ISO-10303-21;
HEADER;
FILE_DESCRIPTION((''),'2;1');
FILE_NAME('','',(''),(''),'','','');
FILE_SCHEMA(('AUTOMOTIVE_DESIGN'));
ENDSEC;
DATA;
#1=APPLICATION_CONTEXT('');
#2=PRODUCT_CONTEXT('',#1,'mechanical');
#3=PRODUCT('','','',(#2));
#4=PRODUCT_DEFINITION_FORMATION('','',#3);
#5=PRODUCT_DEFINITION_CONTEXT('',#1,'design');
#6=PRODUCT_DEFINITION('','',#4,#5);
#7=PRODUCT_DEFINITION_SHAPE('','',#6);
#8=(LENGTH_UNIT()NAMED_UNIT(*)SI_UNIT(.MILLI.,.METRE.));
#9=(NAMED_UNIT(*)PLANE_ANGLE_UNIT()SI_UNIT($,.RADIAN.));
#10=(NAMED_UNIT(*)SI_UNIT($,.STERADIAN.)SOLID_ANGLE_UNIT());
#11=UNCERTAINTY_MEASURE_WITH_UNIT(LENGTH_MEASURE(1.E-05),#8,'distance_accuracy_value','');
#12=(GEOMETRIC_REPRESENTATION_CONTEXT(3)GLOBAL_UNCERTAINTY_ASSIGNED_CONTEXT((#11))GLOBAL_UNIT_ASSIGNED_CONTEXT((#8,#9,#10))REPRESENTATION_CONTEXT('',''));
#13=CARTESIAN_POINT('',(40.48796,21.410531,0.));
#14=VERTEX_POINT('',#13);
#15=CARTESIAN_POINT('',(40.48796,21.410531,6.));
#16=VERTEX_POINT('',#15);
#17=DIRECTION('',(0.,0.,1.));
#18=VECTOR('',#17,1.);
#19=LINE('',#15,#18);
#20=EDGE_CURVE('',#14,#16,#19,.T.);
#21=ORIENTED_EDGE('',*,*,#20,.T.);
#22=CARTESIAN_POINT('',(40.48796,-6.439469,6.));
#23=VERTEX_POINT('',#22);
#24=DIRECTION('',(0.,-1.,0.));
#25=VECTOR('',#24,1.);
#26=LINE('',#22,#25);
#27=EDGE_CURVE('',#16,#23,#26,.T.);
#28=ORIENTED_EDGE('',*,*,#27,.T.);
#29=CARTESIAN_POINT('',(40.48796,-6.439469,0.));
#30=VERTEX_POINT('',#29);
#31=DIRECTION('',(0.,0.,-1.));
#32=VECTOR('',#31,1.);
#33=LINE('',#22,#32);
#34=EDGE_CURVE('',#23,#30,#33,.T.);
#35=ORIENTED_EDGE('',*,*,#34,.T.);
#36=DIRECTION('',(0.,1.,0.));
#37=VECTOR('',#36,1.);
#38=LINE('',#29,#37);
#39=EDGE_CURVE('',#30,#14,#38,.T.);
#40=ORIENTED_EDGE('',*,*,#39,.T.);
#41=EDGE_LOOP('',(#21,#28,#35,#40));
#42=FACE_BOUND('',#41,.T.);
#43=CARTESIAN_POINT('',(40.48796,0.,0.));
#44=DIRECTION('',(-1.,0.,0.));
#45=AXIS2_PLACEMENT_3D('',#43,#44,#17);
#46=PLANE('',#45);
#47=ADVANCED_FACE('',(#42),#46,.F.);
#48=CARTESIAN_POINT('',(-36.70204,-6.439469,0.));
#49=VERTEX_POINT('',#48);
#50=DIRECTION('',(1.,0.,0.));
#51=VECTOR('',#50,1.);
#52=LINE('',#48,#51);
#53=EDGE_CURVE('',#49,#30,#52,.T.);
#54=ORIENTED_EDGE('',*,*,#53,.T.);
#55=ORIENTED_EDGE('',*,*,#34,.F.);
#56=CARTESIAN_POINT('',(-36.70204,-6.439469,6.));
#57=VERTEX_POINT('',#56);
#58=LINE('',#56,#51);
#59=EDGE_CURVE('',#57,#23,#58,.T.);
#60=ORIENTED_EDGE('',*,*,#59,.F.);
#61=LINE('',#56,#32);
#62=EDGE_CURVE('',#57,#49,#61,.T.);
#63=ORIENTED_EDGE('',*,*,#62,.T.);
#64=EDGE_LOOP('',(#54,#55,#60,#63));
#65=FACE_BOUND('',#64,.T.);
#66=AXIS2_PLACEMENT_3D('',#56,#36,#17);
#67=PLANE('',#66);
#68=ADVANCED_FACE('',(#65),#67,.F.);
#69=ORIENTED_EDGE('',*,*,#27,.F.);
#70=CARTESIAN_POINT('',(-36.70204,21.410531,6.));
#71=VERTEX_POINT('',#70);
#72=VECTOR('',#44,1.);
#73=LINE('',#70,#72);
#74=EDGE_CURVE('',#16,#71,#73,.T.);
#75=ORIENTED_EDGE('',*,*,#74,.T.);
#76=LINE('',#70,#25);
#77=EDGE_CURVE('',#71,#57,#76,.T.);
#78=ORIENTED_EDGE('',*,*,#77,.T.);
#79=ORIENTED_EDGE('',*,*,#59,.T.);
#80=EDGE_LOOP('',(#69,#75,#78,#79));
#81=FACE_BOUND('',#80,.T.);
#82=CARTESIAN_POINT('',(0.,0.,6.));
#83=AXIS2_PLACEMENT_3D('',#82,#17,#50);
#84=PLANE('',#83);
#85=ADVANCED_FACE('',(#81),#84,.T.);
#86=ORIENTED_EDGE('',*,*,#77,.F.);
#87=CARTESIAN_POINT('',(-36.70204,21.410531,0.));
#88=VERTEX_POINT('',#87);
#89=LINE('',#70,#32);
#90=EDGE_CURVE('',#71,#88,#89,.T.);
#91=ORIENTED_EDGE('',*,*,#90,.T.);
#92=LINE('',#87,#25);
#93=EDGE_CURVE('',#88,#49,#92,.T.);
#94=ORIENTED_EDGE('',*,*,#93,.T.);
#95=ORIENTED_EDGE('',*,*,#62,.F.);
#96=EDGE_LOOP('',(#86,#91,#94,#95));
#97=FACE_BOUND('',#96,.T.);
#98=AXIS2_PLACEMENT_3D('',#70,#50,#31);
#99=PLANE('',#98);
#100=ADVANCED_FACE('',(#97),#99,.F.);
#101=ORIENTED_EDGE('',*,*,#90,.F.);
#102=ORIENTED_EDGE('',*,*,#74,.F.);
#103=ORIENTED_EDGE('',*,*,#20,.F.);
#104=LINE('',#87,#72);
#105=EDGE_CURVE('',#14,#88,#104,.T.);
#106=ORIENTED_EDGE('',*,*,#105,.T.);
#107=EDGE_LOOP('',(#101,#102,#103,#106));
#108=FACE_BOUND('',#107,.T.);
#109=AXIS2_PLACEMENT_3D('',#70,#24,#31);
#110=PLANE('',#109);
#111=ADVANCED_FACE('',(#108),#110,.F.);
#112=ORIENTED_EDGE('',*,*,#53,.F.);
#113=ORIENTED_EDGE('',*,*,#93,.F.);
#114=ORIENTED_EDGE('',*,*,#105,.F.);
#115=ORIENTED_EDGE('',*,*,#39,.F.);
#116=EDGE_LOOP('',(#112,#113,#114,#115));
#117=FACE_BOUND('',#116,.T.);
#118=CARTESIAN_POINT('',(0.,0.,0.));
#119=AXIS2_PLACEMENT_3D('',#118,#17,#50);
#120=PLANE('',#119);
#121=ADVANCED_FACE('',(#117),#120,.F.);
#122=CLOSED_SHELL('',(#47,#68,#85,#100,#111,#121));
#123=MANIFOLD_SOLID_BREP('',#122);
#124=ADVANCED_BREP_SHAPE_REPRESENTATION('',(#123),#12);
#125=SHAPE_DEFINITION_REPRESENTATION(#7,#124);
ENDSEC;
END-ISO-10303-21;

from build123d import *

# Parameters (mm, degrees)
ESQUISSE1_W        = 75.19
ESQUISSE1_H        = 27.85
BOSS_EXTRU_1_DEPTH = 6
ESQUISSE2_W        = 6
ESQUISSE2_H        = 27.85
BOSS_EXTRU_2_DEPTH = 2


with BuildPart() as part:
    # Esquisse1 → Boss.-Extru.1 (new body)
    with BuildSketch(Plane.XY):
        with Locations((0.892959691, 7.485531136)):
            Rectangle(ESQUISSE1_W, ESQUISSE1_H)
    extrude(amount=BOSS_EXTRU_1_DEPTH)

    # Esquisse2 → Boss.-Extru.2 (add)
    with BuildSketch(Plane(origin=(38.487959691, 0, 0), x_dir=(0, 0, -1), z_dir=(1, 0, 0))):
        with Locations((-3, 7.485531136)):
            Rectangle(ESQUISSE2_W, ESQUISSE2_H)
    extrude(amount=BOSS_EXTRU_2_DEPTH)


solid = part.part
